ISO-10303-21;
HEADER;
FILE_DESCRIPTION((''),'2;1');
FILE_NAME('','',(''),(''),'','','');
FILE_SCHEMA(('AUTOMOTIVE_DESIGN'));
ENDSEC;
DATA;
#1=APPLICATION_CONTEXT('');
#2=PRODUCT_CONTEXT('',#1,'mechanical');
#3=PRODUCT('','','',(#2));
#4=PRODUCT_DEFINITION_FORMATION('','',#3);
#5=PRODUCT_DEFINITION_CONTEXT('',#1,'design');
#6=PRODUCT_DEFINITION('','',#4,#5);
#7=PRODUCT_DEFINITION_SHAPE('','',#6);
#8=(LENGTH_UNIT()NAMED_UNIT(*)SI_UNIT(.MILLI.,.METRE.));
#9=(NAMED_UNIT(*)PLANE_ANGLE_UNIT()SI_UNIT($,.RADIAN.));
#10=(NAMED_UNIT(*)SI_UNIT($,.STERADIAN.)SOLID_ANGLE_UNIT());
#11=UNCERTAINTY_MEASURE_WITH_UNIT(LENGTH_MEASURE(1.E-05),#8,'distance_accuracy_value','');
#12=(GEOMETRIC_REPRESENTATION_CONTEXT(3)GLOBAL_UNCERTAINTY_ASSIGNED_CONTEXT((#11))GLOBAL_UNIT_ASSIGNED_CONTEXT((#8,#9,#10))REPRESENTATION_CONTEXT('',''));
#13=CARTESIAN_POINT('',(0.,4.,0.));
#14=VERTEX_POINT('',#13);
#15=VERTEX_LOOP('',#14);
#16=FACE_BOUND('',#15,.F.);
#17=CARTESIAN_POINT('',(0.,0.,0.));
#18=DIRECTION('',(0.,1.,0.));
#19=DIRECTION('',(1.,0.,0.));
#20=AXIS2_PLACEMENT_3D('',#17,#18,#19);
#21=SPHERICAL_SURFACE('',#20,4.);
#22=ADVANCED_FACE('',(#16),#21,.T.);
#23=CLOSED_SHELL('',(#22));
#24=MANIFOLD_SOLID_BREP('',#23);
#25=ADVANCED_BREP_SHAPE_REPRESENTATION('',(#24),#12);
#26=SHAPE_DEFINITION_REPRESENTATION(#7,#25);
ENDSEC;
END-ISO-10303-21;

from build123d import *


with BuildPart() as part:
    # Sketch1 → Revolve1 (revolve)
    with BuildSketch(Plane.XY):
        with BuildLine():
            Line((0, 4), (0, -4))
            ThreePointArc((0, -4), (4, 0), (0, 4))
        make_face()
    revolve(axis=Axis((0, 9.478133447, 0), (0, -1, 0)))


solid = part.part
